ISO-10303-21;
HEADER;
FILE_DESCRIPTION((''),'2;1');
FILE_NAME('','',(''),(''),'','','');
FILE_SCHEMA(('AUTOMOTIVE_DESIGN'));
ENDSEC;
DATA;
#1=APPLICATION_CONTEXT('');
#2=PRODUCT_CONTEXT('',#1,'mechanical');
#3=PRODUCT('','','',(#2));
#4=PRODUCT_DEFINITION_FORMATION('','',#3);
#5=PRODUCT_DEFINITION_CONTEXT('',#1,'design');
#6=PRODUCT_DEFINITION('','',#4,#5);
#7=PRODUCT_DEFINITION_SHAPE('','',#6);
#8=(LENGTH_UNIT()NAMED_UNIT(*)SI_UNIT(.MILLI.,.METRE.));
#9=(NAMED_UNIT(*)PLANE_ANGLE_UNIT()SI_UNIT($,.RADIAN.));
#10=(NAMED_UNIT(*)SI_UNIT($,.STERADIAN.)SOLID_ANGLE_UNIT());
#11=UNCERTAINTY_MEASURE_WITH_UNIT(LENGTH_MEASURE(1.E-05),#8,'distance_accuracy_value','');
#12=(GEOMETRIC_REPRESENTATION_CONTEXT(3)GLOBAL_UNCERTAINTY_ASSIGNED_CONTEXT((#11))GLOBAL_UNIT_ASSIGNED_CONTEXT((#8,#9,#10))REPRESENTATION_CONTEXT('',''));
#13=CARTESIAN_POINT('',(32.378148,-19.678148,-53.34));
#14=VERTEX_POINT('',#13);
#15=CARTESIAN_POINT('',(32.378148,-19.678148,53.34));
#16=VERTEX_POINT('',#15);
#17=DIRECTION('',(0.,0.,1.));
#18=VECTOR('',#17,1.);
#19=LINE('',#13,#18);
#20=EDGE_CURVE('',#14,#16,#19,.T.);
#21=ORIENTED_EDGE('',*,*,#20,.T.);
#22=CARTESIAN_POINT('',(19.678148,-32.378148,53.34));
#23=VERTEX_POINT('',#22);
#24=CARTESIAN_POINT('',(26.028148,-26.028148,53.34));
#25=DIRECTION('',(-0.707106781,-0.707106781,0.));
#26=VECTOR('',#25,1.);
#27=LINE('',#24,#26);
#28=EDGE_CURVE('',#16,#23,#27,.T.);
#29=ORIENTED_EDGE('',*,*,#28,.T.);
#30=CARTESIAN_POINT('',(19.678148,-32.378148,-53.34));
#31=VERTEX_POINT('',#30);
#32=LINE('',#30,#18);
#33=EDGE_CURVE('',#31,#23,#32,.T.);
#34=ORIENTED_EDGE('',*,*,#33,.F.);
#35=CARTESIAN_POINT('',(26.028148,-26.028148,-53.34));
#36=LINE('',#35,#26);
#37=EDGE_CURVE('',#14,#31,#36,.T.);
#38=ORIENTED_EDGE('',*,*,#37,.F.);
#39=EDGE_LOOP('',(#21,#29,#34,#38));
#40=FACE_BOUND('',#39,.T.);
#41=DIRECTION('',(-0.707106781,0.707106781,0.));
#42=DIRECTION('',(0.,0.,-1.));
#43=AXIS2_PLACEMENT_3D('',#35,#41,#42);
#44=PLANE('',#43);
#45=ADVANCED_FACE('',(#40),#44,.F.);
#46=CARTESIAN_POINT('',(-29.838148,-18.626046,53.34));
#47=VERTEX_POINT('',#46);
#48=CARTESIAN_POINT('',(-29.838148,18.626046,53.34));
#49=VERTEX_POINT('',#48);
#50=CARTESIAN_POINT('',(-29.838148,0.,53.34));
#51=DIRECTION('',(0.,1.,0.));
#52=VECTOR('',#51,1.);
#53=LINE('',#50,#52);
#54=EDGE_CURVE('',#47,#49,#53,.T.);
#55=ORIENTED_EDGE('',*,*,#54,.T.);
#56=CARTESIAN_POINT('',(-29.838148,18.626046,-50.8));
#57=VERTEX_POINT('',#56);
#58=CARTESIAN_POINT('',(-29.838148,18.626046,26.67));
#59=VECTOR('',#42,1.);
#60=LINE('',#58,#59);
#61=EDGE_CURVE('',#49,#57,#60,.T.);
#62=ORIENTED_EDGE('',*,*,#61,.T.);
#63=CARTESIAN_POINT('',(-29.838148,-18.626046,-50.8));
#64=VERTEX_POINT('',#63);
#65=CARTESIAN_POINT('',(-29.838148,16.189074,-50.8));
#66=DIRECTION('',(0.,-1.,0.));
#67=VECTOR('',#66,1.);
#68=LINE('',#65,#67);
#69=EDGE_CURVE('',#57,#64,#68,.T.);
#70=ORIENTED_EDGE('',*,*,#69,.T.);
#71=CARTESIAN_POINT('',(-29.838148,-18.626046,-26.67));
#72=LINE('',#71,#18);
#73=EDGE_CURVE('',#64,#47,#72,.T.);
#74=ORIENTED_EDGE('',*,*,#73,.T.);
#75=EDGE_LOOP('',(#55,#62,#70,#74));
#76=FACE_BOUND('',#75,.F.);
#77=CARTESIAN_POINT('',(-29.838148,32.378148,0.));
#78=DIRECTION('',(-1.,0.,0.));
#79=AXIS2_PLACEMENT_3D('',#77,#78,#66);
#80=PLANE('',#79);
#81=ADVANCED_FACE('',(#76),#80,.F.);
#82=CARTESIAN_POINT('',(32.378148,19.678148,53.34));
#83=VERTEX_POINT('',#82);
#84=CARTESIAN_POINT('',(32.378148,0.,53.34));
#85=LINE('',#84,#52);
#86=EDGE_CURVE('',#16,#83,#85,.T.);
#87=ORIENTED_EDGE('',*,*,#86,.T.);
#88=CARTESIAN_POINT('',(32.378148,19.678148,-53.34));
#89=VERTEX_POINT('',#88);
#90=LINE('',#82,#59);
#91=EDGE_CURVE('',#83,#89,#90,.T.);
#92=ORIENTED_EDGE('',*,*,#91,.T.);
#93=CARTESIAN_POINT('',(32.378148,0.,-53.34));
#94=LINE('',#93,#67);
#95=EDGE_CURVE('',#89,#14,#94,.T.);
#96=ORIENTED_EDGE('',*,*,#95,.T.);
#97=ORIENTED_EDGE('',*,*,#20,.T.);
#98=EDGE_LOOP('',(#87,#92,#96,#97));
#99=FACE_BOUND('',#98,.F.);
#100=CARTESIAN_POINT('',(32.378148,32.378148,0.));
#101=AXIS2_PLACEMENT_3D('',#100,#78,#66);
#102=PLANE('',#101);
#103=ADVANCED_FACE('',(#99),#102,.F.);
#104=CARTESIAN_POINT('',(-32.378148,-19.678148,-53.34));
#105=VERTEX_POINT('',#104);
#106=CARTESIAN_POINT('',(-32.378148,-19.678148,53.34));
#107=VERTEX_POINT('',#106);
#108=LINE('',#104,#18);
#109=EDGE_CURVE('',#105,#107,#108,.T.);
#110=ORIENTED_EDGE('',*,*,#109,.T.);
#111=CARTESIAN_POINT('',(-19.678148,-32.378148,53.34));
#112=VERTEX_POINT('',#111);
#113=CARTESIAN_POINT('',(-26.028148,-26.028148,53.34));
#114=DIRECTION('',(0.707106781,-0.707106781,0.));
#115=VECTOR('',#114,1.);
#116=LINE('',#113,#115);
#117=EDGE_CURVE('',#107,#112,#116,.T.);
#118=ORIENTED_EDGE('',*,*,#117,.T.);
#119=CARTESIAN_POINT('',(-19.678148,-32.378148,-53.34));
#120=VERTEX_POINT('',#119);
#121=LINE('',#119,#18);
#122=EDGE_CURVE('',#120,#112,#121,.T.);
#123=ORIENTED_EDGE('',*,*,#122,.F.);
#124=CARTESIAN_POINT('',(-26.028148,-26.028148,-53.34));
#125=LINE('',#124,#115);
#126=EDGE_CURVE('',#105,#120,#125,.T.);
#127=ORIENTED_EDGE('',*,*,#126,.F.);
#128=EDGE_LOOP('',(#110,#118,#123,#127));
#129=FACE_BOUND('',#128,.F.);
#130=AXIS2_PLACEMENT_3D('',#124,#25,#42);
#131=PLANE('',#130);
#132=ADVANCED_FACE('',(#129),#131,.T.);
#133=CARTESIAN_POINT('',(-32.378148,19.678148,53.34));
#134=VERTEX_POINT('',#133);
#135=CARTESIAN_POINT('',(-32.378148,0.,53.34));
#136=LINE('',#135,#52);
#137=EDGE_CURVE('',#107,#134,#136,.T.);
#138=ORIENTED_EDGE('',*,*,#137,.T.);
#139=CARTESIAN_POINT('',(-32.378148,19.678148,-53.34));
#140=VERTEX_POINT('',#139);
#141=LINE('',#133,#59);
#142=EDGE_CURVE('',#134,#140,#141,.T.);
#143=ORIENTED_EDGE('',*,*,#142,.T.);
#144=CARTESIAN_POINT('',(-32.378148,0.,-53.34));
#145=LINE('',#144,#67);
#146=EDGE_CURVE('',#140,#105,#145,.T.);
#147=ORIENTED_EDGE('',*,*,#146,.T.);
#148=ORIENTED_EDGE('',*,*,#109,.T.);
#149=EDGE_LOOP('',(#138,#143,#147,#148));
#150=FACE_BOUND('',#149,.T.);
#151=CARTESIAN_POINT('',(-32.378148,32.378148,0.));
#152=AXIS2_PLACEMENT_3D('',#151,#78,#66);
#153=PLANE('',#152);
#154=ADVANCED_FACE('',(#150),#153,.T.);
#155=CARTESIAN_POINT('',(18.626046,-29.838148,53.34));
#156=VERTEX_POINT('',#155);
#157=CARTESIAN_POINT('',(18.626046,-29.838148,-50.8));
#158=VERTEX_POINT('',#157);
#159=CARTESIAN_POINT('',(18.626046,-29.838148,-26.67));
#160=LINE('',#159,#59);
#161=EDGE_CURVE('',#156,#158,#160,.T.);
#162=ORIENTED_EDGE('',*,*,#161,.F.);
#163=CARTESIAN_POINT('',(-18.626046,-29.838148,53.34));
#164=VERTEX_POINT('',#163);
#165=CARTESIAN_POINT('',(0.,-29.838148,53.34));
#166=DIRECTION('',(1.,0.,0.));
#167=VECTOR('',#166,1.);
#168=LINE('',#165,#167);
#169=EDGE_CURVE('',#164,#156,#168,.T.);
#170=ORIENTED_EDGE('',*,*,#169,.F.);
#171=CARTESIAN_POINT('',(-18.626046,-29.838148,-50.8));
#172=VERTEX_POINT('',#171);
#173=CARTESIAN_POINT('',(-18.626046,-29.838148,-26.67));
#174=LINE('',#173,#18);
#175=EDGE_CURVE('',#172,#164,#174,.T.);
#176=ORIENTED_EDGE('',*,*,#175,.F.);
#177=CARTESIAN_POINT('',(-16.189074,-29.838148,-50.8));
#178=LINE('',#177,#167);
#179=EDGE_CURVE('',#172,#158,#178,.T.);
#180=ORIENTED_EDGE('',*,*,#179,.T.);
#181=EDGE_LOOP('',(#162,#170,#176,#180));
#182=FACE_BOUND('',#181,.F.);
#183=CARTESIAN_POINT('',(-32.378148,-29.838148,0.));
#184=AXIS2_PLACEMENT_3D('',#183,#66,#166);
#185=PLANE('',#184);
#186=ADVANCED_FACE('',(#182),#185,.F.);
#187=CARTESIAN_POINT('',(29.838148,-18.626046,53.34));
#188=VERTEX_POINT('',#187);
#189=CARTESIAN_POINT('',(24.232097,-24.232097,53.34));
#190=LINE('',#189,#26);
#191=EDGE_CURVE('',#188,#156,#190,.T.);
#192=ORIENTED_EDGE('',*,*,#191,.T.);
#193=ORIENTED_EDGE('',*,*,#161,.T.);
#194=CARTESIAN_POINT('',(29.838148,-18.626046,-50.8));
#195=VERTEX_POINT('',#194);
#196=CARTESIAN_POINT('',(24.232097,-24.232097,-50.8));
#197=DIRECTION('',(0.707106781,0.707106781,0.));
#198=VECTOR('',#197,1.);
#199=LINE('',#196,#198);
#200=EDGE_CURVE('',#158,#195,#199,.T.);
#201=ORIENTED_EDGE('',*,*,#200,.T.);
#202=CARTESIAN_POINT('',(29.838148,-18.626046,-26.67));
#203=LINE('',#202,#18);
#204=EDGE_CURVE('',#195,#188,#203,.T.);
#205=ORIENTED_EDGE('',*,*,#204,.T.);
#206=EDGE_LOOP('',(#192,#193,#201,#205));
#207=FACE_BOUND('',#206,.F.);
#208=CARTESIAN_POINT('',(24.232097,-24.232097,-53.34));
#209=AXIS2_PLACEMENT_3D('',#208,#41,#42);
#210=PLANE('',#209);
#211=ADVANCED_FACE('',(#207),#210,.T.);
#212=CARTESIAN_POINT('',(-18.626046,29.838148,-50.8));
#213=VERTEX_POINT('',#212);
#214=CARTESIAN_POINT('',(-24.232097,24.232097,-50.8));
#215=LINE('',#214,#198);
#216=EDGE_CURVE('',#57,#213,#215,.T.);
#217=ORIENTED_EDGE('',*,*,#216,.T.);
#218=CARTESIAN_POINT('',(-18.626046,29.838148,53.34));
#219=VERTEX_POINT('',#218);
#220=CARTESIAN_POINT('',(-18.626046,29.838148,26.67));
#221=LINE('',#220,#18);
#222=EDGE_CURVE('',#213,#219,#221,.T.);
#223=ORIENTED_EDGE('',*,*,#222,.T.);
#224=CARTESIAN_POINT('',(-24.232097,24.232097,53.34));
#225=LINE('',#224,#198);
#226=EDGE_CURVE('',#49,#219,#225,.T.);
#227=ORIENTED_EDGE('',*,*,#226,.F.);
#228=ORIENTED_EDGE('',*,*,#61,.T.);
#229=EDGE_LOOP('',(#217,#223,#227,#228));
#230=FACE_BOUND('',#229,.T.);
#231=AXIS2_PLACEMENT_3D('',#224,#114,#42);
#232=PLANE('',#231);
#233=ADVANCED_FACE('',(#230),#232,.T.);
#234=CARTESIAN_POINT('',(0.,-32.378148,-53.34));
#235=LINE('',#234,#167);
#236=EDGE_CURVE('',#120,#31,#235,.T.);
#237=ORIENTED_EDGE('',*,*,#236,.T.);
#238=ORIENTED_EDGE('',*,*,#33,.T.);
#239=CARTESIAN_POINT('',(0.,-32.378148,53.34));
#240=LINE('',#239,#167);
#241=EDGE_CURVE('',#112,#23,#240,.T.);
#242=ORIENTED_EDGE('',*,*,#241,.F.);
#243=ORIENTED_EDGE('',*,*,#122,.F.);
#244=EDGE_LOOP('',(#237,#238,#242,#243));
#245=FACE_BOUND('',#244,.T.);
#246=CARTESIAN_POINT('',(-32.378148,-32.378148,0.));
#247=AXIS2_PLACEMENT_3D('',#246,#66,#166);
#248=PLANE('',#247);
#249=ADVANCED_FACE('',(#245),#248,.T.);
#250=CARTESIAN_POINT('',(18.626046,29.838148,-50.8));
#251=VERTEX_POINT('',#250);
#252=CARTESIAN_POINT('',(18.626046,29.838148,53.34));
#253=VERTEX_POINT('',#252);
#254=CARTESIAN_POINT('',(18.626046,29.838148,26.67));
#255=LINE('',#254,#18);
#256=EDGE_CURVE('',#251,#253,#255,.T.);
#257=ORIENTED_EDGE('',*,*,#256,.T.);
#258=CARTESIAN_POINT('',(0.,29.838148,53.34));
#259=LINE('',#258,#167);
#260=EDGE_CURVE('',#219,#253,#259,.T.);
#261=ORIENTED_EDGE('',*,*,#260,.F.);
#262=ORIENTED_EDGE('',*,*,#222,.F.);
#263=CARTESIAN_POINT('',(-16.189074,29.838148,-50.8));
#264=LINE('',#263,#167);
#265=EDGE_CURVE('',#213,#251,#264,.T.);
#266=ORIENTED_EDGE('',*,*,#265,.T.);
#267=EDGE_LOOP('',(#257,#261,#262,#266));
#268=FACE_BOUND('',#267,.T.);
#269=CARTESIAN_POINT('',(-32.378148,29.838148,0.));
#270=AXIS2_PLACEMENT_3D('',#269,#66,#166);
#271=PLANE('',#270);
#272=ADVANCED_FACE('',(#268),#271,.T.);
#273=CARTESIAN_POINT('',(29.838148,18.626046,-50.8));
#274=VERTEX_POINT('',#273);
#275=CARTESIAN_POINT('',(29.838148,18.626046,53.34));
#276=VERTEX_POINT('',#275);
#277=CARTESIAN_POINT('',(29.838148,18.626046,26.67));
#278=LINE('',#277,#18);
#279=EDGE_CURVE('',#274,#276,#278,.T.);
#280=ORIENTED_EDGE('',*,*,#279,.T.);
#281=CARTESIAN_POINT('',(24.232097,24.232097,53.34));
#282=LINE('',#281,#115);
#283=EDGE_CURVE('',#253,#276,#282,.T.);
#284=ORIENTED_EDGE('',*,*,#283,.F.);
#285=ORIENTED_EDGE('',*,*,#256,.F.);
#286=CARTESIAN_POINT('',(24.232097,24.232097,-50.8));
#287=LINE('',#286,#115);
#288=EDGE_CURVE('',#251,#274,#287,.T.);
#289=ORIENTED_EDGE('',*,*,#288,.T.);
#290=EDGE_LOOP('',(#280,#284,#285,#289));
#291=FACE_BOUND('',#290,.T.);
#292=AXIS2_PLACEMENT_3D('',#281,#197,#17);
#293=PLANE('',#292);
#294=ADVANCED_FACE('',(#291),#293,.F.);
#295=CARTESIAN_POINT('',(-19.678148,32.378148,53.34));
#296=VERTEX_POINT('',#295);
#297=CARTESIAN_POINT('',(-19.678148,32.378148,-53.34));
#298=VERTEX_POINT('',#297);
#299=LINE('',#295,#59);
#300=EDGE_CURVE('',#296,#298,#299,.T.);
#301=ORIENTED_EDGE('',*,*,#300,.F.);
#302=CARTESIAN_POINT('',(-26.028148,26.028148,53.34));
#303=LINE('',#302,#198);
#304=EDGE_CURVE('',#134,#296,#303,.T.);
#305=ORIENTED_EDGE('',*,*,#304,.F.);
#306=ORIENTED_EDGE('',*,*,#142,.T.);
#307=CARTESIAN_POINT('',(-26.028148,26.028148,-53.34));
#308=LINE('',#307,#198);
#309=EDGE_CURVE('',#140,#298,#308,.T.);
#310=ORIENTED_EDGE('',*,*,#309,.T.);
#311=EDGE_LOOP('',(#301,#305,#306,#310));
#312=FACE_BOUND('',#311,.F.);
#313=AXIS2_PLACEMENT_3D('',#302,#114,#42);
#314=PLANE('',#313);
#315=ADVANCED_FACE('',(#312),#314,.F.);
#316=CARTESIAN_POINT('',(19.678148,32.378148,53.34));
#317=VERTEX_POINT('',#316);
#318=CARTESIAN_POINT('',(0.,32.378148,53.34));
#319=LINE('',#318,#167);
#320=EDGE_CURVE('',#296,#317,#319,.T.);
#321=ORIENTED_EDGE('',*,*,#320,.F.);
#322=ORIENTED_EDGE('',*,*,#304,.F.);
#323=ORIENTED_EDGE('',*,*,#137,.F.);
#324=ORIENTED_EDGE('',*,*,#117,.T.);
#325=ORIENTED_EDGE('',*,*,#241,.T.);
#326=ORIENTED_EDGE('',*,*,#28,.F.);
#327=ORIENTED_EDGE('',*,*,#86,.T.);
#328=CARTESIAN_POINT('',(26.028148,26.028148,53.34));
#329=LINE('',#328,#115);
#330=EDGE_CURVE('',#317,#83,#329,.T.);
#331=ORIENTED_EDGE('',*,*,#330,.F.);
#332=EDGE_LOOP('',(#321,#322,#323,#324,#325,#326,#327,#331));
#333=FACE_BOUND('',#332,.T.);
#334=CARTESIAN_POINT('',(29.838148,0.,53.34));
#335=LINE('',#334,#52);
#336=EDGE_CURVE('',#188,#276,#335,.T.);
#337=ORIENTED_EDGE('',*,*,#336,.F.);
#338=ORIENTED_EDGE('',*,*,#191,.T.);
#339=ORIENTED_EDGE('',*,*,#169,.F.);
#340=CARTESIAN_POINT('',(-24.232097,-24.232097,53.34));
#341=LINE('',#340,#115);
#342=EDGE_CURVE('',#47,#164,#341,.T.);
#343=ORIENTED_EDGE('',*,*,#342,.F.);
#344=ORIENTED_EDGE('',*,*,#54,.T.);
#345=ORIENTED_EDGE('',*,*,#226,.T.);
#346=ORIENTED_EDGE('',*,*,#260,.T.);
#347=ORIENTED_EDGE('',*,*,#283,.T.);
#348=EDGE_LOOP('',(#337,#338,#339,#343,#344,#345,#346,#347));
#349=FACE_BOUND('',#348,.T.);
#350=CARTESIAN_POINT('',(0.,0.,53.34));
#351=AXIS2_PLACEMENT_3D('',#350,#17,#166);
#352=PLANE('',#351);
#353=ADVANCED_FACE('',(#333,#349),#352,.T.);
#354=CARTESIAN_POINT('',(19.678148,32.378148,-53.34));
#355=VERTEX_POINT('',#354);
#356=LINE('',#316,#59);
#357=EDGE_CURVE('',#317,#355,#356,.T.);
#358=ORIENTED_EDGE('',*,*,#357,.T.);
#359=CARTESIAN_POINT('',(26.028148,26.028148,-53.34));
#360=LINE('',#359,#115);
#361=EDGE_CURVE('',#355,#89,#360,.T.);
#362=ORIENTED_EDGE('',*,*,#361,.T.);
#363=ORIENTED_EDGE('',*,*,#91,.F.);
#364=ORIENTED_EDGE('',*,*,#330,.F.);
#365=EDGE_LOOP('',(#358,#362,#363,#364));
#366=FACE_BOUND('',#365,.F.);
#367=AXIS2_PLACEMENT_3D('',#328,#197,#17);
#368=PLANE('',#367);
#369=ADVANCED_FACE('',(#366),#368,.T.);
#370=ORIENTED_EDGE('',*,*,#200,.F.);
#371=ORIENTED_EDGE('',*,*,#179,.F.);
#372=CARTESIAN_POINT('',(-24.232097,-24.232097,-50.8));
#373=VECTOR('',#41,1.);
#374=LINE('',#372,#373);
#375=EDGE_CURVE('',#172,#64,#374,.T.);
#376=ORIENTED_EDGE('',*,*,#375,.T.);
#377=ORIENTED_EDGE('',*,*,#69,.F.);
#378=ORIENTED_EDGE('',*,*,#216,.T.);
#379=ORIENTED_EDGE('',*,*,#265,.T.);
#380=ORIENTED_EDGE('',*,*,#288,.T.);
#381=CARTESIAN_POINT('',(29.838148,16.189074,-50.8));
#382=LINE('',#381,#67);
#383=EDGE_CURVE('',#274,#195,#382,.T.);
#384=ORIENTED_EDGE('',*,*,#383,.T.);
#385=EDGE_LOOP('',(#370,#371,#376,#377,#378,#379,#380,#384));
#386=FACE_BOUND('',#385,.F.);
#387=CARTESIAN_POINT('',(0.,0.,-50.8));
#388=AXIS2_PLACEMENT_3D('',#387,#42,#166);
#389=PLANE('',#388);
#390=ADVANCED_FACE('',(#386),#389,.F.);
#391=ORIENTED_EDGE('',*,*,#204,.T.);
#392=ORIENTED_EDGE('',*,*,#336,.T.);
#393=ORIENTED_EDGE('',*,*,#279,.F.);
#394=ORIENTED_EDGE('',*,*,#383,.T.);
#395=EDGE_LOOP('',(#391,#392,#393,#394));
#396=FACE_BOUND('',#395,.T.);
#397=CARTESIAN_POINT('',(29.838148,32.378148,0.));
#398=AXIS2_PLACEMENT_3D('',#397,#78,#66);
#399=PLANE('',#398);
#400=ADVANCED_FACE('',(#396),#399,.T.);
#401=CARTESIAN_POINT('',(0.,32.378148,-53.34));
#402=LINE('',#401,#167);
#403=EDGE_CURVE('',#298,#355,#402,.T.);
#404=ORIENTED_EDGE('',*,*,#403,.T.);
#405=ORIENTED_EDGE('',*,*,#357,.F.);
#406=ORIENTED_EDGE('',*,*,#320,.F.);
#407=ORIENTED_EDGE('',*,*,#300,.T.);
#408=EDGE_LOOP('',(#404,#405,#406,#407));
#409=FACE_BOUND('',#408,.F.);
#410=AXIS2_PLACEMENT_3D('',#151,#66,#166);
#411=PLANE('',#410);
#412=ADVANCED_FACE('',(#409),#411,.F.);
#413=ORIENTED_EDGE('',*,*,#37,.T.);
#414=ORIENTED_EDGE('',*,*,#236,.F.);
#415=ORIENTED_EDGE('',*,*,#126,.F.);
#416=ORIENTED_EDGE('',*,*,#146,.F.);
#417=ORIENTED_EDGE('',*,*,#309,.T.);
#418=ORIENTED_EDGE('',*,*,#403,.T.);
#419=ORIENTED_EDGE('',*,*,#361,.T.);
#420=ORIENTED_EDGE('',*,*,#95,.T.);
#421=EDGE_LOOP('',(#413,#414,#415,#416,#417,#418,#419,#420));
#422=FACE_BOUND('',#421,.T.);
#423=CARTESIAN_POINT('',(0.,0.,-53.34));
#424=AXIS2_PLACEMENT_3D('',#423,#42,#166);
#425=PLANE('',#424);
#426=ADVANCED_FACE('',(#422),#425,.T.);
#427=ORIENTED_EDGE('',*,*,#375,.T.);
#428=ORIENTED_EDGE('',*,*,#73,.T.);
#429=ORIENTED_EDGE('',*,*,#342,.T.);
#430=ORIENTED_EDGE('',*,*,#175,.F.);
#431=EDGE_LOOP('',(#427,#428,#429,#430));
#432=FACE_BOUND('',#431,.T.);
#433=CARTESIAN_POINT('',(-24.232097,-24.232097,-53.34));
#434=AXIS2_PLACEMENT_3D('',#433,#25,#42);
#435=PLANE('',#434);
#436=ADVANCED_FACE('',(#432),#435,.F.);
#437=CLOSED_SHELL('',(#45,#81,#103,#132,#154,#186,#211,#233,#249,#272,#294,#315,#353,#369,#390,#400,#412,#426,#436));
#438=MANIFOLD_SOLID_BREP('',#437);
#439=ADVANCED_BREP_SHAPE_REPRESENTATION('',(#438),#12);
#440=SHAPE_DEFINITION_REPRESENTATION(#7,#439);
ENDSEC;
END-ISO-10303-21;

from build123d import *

# Parameters (mm, degrees)
F0_W      = 64.756296
F0_H      = 64.756296
F1_DEPTH  = 53.34
F1_FACE_W = 64.756296
F1_FACE_H = 64.756296
F2_DEPTH  = 53.34
F3_SIZE   = 12.7
F4_SIZE   = 12.7
F5_SIZE   = 12.7
F6_SIZE   = 12.7
F7_T      = -2.54


with BuildPart() as f1:
    # F0 (on Top) → F1 (new body)
    with BuildSketch(Plane.XY):
        Rectangle(F0_W, F0_H)
    extrude(amount=F1_DEPTH)

    # F1_face (on face) → F2 (join)
    with BuildSketch(Plane(origin=(0, 0, 0), x_dir=(1, 0, 0), z_dir=(0, 0, -1))):
        Rectangle(F1_FACE_W, F1_FACE_H)
    extrude(amount=F2_DEPTH)

    # F3
    f3_edges = [f1.edges().sort_by_distance(p)[0] for p in [
        (-32.378148, -32.378148, 0),
    ]]
    chamfer(f3_edges, length=F3_SIZE)

    # F4
    f4_edges = [f1.edges().sort_by_distance(p)[0] for p in [
        (-32.378148, 32.378148, 0),
    ]]
    chamfer(f4_edges, length=F4_SIZE)

    # F5
    f5_edges = [f1.edges().sort_by_distance(p)[0] for p in [
        (32.378148, 32.378148, 0),
    ]]
    chamfer(f5_edges, length=F5_SIZE)

    # F6
    f6_edges = [f1.edges().sort_by_distance(p)[0] for p in [
        (32.378148, -32.378148, 0),
    ]]
    chamfer(f6_edges, length=F6_SIZE)

    # F7
    f7_openings = [f1.faces().sort_by_distance(p)[0] for p in [
        (0, 0, 53.34),
    ]]
    offset(amount=F7_T, openings=f7_openings)


solid = f1.part
